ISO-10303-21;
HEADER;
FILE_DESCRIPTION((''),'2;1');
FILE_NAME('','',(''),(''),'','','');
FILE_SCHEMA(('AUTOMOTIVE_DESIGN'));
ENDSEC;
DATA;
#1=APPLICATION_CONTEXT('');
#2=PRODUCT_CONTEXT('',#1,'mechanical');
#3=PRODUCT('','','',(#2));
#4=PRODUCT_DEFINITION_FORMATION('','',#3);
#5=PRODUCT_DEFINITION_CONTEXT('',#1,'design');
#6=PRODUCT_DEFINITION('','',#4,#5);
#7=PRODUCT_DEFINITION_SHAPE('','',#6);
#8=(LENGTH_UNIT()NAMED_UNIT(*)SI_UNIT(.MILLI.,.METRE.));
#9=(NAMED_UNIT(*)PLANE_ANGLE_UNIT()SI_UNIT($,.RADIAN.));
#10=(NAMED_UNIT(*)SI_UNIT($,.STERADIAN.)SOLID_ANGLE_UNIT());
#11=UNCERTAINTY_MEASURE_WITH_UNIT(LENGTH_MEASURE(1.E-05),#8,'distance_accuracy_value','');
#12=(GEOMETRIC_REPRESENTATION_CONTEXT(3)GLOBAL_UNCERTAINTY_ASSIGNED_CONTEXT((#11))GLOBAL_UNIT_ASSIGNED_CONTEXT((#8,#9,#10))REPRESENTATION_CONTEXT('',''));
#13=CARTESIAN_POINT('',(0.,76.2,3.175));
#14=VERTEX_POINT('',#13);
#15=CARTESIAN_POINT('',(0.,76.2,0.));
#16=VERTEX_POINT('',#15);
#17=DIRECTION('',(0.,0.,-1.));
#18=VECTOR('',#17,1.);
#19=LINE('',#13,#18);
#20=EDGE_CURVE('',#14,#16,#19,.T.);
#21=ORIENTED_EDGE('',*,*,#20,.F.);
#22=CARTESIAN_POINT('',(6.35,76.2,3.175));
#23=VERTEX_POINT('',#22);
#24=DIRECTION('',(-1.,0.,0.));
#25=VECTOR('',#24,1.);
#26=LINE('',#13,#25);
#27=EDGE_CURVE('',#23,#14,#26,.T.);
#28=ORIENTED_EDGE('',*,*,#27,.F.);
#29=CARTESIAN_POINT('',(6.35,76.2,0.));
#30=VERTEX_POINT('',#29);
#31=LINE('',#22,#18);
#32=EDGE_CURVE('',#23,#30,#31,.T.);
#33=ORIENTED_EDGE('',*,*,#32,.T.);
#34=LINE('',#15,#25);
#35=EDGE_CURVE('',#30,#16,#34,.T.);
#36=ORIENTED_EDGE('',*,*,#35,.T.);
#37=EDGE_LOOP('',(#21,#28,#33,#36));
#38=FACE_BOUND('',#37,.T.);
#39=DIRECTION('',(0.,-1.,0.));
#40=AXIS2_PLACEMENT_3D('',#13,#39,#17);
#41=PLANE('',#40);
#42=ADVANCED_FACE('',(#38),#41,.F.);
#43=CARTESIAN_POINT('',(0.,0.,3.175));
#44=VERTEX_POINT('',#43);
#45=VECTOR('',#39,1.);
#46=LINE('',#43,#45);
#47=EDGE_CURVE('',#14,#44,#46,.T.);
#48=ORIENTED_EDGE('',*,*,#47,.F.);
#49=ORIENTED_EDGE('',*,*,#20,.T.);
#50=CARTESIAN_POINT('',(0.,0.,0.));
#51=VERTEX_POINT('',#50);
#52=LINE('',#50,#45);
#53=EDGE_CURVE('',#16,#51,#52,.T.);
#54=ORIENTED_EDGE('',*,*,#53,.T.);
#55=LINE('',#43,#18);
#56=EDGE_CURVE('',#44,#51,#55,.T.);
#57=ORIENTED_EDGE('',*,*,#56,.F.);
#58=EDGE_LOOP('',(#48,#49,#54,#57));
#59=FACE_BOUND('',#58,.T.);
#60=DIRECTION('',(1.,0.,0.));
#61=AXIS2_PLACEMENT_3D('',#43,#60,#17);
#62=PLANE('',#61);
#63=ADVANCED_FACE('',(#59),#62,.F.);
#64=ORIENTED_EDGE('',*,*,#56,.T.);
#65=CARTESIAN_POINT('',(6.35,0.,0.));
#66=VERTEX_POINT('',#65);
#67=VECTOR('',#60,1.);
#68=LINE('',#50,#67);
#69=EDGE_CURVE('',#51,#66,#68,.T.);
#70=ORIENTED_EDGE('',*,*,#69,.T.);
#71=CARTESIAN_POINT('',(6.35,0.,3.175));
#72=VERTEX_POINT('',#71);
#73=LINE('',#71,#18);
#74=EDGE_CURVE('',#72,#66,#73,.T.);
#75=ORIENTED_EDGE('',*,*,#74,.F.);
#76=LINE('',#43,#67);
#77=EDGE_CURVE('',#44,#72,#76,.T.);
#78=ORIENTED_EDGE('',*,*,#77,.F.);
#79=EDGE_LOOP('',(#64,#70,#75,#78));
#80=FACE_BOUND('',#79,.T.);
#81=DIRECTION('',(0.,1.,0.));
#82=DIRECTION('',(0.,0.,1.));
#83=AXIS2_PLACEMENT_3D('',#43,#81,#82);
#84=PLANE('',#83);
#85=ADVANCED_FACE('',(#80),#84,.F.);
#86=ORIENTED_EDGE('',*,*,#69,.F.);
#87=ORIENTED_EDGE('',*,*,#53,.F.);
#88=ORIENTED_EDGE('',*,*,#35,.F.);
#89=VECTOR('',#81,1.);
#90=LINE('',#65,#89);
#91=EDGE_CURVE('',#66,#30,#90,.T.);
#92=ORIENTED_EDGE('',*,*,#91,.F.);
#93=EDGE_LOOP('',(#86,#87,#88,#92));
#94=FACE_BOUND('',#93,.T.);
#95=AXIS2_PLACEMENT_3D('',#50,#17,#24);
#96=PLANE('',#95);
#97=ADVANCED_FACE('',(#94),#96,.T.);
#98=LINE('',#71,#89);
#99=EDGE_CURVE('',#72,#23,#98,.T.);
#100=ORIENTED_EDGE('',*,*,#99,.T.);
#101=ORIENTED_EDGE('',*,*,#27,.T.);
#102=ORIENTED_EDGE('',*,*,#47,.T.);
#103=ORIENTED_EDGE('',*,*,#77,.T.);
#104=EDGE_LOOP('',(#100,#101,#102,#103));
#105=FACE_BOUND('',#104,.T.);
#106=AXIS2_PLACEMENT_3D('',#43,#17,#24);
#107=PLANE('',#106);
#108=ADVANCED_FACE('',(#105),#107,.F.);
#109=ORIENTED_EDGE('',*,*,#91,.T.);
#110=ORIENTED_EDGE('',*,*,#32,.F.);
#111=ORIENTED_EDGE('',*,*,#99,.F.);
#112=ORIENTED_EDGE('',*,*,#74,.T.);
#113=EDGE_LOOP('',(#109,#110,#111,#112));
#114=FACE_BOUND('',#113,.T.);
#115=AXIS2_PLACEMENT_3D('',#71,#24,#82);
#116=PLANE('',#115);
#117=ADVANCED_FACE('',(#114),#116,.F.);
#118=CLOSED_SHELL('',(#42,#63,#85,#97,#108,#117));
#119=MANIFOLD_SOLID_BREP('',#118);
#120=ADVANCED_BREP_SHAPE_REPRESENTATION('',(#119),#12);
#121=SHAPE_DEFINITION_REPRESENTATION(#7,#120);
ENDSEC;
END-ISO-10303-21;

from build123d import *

# Parameters (mm, degrees)
SKETCH1_W           = 6.35
SKETCH1_H           = 76.2
BOSS_EXTRUDE1_DEPTH = 3.175
SKETCH1_3_W         = 6.35
SKETCH1_3_H         = 76.2
BOSS_EXTRUDE2_DEPTH = 3.175


with BuildPart() as part:
    # Sketch1 → Boss-Extrude1 (new body)
    with BuildSketch(Plane.XY):
        with Locations((3.175, 38.1)):
            Rectangle(SKETCH1_W, SKETCH1_H)
    extrude(amount=BOSS_EXTRUDE1_DEPTH)

    # Sketch1<3> → Boss-Extrude2 (add)
    with BuildSketch(Plane.XY):
        with Locations((3.175, 38.1)):
            Rectangle(SKETCH1_3_W, SKETCH1_3_H)
    extrude(amount=BOSS_EXTRUDE2_DEPTH)


solid = part.part
